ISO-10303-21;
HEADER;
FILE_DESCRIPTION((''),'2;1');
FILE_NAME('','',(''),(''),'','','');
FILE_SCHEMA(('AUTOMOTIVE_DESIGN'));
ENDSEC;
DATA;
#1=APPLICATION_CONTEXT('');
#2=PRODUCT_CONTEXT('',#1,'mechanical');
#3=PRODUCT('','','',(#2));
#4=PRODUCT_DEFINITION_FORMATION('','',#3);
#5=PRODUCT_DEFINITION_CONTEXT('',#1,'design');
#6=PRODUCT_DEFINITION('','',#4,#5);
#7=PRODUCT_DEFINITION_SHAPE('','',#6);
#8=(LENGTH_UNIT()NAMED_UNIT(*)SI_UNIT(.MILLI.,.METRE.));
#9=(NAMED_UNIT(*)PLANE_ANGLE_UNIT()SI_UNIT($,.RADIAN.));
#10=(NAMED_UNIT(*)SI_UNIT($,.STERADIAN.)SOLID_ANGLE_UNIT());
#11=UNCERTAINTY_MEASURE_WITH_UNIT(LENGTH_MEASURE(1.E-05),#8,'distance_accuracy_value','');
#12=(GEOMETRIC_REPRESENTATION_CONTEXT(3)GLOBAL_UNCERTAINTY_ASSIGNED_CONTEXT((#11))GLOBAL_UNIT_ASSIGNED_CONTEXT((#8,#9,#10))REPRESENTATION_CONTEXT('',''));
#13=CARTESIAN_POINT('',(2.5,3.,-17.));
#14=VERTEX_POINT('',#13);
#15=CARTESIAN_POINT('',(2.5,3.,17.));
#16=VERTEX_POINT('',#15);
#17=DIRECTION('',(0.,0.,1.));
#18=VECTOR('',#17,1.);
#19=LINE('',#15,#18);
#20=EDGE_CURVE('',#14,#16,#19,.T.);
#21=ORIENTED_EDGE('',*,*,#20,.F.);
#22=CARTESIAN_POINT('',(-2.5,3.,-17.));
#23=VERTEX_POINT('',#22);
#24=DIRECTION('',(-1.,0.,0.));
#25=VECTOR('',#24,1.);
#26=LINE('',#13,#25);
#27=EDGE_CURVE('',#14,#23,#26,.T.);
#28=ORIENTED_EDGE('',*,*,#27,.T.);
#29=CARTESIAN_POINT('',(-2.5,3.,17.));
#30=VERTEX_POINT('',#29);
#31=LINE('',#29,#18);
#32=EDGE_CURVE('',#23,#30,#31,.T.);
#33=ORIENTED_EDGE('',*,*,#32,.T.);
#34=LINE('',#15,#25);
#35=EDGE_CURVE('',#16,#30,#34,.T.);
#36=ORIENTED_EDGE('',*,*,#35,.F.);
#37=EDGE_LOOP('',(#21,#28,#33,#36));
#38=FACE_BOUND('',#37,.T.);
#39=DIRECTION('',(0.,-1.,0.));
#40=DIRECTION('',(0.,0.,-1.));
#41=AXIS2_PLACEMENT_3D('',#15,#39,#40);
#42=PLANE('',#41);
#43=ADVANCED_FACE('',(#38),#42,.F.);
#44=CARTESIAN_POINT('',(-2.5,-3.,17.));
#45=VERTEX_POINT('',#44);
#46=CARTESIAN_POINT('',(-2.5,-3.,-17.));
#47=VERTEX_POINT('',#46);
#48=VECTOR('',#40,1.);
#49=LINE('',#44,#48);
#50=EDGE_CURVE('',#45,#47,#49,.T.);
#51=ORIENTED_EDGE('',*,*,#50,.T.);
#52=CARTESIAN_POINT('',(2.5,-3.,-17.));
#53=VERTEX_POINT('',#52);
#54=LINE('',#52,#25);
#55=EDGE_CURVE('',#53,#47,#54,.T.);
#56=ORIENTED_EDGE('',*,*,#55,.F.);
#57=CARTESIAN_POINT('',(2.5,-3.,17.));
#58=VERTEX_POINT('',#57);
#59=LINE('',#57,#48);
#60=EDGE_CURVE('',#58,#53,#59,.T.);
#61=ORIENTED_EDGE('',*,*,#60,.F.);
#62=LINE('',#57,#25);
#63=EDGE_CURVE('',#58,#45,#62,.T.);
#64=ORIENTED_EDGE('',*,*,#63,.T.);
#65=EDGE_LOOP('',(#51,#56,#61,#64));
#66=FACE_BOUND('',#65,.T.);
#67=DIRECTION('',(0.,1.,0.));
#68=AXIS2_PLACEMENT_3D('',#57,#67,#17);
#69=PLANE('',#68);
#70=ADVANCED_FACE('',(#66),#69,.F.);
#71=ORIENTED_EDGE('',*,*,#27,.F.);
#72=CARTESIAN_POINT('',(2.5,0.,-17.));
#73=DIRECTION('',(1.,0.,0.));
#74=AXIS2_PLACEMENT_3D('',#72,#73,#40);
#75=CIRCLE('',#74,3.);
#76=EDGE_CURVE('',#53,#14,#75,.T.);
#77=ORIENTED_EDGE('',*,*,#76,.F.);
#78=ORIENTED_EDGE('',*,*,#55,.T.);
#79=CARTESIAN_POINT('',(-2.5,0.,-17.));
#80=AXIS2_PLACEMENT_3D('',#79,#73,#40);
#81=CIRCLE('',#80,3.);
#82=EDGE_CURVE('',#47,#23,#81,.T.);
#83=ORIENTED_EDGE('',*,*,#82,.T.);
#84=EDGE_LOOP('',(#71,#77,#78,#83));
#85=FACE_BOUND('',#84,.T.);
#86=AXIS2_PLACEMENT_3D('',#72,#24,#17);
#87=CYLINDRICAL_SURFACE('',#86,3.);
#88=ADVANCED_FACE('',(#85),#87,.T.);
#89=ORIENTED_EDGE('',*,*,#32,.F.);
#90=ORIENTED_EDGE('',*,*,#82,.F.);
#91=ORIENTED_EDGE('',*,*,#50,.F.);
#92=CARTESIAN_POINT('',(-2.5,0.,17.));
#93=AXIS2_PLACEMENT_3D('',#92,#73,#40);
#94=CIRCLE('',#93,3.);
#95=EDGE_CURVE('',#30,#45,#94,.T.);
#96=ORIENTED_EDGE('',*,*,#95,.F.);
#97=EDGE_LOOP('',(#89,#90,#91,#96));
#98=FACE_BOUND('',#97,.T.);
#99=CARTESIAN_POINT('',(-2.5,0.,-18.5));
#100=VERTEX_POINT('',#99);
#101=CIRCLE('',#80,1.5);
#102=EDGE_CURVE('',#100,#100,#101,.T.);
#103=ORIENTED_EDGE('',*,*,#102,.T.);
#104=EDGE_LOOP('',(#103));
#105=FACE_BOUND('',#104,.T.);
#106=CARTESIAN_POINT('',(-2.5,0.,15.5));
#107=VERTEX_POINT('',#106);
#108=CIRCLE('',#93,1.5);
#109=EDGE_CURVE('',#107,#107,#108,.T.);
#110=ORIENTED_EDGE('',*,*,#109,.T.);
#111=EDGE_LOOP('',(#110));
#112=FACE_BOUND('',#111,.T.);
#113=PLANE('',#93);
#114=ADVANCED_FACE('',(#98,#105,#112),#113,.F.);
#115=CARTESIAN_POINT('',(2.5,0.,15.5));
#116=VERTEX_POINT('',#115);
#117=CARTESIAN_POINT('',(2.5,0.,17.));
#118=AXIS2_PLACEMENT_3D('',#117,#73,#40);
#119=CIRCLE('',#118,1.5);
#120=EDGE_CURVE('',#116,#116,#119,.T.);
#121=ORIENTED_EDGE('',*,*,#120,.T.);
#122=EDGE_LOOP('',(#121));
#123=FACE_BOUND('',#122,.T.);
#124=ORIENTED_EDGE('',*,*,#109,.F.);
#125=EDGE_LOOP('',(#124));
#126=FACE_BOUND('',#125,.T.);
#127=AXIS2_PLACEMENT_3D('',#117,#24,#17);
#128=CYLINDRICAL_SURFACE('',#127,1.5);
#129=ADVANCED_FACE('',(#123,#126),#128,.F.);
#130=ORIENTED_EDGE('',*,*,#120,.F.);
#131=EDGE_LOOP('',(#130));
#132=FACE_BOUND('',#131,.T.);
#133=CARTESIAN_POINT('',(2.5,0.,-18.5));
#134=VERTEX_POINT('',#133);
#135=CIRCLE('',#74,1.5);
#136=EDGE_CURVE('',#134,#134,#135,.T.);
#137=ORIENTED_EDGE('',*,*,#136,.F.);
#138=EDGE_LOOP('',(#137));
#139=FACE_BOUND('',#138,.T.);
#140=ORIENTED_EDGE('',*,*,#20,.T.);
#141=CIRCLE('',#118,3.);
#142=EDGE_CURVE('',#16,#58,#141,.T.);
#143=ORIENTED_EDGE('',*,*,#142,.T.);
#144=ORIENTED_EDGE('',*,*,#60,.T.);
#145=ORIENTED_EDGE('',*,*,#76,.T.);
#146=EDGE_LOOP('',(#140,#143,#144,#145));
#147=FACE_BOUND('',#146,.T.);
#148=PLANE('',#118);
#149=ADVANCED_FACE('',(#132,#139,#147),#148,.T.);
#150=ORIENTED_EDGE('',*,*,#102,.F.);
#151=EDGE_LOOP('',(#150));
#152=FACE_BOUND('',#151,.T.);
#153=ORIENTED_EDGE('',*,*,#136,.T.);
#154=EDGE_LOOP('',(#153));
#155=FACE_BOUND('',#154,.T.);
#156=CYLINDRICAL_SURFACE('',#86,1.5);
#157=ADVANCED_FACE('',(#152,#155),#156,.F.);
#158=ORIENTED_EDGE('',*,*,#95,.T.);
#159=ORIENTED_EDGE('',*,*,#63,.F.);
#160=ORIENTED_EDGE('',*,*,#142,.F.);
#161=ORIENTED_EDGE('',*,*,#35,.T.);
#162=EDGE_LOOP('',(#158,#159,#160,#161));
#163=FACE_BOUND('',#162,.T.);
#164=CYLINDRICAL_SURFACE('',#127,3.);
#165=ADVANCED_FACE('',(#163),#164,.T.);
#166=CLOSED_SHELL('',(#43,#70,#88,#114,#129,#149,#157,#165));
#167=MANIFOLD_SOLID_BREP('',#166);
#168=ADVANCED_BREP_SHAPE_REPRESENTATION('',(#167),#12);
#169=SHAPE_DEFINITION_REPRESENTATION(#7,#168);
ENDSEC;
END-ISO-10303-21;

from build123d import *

# Parameters (mm, degrees)
SKETCH_1_R      = 1.5
EXTRUDE_1_DEPTH = 2.5


with BuildPart() as part:
    # 草图1 → 凸台-拉伸1 (new body, symmetric)
    with BuildSketch(Plane(origin=(0, 0, 0), x_dir=(0, 0, -1), z_dir=(1, 0, 0))):
        with BuildLine():
            Line((-17, 3), (17, 3))
            ThreePointArc((17, 3), (20, 0), (17, -3))
            Line((17, -3), (-17, -3))
            ThreePointArc((-17, -3), (-20, 0), (-17, 3))
        make_face()
        with Locations((17, 0)):
            Circle(SKETCH_1_R, mode=Mode.SUBTRACT)
        with Locations((-17, 0)):
            Circle(SKETCH_1_R, mode=Mode.SUBTRACT)
    extrude(amount=EXTRUDE_1_DEPTH, both=True)


solid = part.part
